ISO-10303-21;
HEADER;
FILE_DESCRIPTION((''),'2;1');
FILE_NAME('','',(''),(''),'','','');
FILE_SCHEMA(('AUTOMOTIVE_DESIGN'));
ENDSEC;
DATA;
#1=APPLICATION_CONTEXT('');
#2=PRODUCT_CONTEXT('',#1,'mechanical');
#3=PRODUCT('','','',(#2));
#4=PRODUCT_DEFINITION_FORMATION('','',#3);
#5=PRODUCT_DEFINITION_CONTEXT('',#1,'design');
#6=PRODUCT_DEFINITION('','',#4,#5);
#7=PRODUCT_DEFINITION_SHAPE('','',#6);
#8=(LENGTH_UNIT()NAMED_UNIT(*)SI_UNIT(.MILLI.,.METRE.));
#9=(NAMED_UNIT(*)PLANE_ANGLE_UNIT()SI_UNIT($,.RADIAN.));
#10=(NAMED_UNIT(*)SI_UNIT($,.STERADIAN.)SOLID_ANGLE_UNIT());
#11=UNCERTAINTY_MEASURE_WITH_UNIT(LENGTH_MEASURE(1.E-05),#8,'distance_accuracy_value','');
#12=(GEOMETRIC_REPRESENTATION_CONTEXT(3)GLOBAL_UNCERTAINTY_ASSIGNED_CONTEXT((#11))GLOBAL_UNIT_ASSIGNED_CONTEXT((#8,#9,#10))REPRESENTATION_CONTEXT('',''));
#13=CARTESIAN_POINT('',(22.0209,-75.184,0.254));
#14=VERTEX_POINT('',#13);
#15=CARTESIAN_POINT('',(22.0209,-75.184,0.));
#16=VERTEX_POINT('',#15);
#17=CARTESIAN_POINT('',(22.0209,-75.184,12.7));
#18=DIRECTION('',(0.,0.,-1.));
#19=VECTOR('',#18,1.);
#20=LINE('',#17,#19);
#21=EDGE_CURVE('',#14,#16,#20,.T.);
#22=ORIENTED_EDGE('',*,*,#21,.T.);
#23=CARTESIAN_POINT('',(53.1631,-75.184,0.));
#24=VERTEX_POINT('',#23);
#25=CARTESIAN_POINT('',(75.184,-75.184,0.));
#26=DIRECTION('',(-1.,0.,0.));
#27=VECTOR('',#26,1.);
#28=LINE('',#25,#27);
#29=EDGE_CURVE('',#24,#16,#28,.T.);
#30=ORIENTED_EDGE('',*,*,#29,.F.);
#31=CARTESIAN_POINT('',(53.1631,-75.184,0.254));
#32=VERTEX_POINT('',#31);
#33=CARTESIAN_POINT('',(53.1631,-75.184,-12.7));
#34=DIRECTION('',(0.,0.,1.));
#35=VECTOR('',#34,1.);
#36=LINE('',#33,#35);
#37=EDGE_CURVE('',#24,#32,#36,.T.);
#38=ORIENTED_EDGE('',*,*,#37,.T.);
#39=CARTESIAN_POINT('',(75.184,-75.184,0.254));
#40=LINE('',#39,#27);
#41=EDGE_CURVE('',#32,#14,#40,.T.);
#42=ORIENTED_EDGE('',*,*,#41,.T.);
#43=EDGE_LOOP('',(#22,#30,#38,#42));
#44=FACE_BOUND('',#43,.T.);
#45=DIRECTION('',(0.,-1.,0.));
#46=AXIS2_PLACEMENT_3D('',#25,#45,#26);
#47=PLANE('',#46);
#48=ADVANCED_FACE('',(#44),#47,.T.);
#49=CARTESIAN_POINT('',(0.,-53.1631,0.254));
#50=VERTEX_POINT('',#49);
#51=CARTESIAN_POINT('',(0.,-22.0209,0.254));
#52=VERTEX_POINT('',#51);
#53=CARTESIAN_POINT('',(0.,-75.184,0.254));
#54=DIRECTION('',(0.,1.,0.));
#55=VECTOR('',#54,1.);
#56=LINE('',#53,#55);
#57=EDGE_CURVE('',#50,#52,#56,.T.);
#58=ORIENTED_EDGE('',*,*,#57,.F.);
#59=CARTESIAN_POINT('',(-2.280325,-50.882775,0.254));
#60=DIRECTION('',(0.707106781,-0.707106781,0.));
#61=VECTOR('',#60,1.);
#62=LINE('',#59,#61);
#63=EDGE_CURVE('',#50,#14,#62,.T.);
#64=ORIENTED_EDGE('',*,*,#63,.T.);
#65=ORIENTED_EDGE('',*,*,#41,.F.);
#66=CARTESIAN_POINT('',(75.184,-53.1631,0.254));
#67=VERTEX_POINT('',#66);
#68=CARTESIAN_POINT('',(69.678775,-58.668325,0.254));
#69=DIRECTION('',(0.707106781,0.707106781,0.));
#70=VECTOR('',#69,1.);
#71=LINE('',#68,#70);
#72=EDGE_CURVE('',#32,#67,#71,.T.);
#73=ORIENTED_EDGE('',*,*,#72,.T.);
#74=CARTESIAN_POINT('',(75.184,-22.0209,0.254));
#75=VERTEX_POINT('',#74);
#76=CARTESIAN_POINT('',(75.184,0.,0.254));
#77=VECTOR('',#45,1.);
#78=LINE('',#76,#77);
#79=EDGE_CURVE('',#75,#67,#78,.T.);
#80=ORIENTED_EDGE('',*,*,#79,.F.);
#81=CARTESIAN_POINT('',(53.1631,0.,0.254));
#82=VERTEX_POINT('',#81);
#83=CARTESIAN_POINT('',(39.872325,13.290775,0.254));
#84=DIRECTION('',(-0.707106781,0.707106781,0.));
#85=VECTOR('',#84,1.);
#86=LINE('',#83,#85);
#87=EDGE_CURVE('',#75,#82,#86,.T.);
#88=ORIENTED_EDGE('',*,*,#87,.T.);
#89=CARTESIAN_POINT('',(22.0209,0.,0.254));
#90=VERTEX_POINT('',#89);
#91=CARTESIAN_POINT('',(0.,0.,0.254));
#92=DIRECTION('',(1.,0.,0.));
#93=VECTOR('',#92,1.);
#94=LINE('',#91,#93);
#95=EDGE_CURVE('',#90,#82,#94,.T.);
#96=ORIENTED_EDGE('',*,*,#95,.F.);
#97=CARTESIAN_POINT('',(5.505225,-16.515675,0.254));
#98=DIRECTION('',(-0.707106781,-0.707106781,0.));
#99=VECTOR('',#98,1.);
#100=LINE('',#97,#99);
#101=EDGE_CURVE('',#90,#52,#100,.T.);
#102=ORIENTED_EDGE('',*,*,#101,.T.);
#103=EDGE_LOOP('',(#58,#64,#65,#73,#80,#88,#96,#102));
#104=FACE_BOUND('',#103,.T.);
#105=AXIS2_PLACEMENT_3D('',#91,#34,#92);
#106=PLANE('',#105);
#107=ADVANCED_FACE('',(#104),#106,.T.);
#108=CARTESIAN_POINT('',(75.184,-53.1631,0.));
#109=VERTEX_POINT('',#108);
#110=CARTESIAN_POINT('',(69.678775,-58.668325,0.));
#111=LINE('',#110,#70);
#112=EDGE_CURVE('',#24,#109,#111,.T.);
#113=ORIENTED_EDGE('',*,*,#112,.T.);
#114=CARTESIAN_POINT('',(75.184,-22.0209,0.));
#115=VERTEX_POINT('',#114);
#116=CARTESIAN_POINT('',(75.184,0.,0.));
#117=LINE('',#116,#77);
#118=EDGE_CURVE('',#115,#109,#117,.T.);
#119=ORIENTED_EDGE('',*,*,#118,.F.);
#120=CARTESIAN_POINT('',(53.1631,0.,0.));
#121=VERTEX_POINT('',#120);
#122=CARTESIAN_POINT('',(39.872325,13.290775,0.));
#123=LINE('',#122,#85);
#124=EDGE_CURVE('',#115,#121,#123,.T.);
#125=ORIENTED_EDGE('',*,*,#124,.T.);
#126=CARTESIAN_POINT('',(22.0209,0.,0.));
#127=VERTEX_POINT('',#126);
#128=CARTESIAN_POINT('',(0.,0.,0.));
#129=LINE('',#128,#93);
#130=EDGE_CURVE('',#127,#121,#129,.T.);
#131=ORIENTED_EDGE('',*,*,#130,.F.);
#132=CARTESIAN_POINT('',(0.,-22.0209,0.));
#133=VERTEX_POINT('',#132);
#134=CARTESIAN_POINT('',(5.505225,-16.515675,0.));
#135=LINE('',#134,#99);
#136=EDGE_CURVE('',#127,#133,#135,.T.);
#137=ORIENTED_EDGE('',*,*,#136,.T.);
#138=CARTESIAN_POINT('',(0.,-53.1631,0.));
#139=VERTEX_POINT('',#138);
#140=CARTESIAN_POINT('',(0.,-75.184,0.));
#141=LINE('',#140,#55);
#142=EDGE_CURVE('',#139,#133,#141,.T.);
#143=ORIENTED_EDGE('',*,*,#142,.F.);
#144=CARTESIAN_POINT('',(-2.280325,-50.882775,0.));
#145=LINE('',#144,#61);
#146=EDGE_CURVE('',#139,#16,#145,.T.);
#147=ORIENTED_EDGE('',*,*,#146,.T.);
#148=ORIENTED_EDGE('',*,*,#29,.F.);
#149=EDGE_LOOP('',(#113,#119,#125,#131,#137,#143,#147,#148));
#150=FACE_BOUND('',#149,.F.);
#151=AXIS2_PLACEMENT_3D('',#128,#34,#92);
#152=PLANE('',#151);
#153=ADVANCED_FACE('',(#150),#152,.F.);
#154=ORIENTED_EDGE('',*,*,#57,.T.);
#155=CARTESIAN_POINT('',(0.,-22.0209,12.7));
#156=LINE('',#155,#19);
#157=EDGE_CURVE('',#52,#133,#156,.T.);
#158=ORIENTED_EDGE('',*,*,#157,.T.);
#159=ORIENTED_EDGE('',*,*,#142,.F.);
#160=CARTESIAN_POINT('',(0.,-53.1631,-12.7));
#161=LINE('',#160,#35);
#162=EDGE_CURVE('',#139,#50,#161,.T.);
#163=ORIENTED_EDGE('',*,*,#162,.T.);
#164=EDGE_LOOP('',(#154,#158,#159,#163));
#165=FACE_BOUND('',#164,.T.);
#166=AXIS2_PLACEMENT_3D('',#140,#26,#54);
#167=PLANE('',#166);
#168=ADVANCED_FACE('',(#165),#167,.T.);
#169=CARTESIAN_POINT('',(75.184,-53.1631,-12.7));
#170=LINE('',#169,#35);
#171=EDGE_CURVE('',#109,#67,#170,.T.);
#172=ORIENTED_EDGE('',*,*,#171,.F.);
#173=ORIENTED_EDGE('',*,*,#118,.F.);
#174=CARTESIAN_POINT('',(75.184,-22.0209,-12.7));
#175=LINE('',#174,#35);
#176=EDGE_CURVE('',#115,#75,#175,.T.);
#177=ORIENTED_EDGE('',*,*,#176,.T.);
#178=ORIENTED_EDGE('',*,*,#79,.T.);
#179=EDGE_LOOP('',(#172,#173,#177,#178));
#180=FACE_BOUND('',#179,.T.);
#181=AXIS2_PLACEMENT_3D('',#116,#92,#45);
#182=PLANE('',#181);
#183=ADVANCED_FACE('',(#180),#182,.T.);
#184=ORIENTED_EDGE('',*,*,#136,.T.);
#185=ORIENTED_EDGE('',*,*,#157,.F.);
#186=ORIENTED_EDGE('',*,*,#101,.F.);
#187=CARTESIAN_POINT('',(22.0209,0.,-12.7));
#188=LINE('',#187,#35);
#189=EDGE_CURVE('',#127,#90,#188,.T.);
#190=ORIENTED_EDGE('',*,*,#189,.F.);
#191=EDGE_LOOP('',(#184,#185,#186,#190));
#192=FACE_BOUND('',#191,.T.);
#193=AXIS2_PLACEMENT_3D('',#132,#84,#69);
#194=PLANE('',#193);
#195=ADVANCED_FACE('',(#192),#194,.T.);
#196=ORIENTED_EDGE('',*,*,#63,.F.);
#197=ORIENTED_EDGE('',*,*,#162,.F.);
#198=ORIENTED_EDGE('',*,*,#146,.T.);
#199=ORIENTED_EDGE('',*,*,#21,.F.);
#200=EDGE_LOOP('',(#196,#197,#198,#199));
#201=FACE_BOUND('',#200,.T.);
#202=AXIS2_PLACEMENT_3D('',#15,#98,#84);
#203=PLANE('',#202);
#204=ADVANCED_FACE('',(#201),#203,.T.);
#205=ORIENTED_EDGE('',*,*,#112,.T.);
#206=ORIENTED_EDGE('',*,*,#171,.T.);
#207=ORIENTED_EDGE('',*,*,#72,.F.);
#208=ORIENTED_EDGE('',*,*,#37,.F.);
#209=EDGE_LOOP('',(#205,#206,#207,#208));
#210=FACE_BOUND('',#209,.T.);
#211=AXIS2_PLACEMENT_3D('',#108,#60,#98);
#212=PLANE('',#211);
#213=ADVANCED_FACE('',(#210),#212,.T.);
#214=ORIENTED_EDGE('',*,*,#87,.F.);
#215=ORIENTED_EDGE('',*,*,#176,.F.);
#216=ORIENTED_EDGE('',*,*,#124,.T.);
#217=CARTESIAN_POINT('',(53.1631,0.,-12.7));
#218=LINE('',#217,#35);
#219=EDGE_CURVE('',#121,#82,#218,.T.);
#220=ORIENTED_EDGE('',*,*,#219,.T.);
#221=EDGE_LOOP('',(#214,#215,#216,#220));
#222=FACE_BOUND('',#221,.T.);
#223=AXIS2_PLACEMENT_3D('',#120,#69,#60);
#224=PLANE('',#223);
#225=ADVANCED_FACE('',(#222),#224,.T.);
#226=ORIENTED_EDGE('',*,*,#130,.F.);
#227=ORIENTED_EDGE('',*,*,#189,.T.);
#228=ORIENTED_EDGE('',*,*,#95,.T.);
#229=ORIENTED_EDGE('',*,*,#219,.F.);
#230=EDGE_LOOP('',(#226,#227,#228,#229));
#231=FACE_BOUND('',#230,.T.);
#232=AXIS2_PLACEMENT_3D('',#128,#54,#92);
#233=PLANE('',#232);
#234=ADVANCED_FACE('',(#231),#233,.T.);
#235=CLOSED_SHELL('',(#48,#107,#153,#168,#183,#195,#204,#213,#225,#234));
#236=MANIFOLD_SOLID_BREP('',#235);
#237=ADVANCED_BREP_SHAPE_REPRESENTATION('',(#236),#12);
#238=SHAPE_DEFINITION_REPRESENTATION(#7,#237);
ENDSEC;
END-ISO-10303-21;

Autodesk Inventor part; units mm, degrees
ref_plane "YZ Plane" through (0, 0, 0) normal (1, 0, 0) x (0, 1, 0)
ref_plane "XZ Plane" through (0, 0, 0) normal (0, 1, 0) x (-1, 0, 0)
ref_plane "XY Plane" through (0, 0, 0) normal (0, 0, 1) x (1, 0, 0)
sketch "Sketch1" plane through (0, 0, 0) normal (0, 0, 1) x (1, 0, 0)
  line L0 (0, 0) -> (75.184, 0)
  line L1 (75.184, 0) -> (75.184, -75.184)
  line L2 (75.184, -75.184) -> (0, -75.184)
  line L3 (0, -75.184) -> (0, 0)
  dimension "d5" = 75.184
extrude "Extrusion1" add sketch "Sketch1" along normal blind 0.254
sketch "Sketch2" plane through (0, 0, 0) normal (0, 0, 1) x (1, 0, 0)
  line L0 (22.0209, 0) -> (53.1631, 0)
  line L1 (53.1631, 0) -> (75.184, -22.0209)
  line L2 (75.184, -22.0209) -> (75.184, -53.1631)
  line L3 (75.184, -53.1631) -> (53.1631, -75.184)
  line L4 (53.1631, -75.184) -> (22.0209, -75.184)
  line L5 (22.0209, -75.184) -> (0, -53.1631)
  line L6 (0, -53.1631) -> (0, -22.0209)
  line L7 (0, -22.0209) -> (22.0209, 0)
  line L8 (0, 0) -> (75.184, 0) projected
  line L9 (0, -75.184) -> (0, 0) projected
  line L10 (75.184, -75.184) -> (0, -75.184) projected
  line L11 (75.184, 0) -> (75.184, -75.184) projected
  line L12 (0, 0) -> (0, -75.184) projected
  line L13 (0, -75.184) -> (75.184, -75.184) projected
  point P0 (53.1631, 0)
  point P1 (0, -53.1631)
  dimension "d13" = 135
  dimension "d14" = 135
  dimension "d15" = 135
  dimension "d16" = 135
extrude "Extrusion2" cut sketch "Sketch2" along normal mid plane 25.4 contours L7 L9 L8 | L8 L11 L1 | L5 L10 L9 | L11 L10 L3
sketch "Sketch3" plane through (0, 0, 0) normal (0, 0, 1) x (1, 0, 0)
  line L0 (0, 0) -> (75.184, 0) construction
  line L1 (75.184, 0) -> (75.184, -75.184) construction
  line L2 (75.184, -75.184) -> (0, -75.184) construction
  line L3 (0, -75.184) -> (0, 0) construction
  line L4 (53.1631, -75.184) -> (22.0209, -75.184) construction
  line L5 (0, -53.1631) -> (0, -22.0209) construction
  line L6 (22.0209, 0) -> (53.1631, 0) construction
  point P0 (0, 0)
equation "\"d14\" = d13"
equation "\"d15\" = d13"
equation "\"d16\" = d14"
properties part number "Clippard 8-MC 3D PCB Top"
